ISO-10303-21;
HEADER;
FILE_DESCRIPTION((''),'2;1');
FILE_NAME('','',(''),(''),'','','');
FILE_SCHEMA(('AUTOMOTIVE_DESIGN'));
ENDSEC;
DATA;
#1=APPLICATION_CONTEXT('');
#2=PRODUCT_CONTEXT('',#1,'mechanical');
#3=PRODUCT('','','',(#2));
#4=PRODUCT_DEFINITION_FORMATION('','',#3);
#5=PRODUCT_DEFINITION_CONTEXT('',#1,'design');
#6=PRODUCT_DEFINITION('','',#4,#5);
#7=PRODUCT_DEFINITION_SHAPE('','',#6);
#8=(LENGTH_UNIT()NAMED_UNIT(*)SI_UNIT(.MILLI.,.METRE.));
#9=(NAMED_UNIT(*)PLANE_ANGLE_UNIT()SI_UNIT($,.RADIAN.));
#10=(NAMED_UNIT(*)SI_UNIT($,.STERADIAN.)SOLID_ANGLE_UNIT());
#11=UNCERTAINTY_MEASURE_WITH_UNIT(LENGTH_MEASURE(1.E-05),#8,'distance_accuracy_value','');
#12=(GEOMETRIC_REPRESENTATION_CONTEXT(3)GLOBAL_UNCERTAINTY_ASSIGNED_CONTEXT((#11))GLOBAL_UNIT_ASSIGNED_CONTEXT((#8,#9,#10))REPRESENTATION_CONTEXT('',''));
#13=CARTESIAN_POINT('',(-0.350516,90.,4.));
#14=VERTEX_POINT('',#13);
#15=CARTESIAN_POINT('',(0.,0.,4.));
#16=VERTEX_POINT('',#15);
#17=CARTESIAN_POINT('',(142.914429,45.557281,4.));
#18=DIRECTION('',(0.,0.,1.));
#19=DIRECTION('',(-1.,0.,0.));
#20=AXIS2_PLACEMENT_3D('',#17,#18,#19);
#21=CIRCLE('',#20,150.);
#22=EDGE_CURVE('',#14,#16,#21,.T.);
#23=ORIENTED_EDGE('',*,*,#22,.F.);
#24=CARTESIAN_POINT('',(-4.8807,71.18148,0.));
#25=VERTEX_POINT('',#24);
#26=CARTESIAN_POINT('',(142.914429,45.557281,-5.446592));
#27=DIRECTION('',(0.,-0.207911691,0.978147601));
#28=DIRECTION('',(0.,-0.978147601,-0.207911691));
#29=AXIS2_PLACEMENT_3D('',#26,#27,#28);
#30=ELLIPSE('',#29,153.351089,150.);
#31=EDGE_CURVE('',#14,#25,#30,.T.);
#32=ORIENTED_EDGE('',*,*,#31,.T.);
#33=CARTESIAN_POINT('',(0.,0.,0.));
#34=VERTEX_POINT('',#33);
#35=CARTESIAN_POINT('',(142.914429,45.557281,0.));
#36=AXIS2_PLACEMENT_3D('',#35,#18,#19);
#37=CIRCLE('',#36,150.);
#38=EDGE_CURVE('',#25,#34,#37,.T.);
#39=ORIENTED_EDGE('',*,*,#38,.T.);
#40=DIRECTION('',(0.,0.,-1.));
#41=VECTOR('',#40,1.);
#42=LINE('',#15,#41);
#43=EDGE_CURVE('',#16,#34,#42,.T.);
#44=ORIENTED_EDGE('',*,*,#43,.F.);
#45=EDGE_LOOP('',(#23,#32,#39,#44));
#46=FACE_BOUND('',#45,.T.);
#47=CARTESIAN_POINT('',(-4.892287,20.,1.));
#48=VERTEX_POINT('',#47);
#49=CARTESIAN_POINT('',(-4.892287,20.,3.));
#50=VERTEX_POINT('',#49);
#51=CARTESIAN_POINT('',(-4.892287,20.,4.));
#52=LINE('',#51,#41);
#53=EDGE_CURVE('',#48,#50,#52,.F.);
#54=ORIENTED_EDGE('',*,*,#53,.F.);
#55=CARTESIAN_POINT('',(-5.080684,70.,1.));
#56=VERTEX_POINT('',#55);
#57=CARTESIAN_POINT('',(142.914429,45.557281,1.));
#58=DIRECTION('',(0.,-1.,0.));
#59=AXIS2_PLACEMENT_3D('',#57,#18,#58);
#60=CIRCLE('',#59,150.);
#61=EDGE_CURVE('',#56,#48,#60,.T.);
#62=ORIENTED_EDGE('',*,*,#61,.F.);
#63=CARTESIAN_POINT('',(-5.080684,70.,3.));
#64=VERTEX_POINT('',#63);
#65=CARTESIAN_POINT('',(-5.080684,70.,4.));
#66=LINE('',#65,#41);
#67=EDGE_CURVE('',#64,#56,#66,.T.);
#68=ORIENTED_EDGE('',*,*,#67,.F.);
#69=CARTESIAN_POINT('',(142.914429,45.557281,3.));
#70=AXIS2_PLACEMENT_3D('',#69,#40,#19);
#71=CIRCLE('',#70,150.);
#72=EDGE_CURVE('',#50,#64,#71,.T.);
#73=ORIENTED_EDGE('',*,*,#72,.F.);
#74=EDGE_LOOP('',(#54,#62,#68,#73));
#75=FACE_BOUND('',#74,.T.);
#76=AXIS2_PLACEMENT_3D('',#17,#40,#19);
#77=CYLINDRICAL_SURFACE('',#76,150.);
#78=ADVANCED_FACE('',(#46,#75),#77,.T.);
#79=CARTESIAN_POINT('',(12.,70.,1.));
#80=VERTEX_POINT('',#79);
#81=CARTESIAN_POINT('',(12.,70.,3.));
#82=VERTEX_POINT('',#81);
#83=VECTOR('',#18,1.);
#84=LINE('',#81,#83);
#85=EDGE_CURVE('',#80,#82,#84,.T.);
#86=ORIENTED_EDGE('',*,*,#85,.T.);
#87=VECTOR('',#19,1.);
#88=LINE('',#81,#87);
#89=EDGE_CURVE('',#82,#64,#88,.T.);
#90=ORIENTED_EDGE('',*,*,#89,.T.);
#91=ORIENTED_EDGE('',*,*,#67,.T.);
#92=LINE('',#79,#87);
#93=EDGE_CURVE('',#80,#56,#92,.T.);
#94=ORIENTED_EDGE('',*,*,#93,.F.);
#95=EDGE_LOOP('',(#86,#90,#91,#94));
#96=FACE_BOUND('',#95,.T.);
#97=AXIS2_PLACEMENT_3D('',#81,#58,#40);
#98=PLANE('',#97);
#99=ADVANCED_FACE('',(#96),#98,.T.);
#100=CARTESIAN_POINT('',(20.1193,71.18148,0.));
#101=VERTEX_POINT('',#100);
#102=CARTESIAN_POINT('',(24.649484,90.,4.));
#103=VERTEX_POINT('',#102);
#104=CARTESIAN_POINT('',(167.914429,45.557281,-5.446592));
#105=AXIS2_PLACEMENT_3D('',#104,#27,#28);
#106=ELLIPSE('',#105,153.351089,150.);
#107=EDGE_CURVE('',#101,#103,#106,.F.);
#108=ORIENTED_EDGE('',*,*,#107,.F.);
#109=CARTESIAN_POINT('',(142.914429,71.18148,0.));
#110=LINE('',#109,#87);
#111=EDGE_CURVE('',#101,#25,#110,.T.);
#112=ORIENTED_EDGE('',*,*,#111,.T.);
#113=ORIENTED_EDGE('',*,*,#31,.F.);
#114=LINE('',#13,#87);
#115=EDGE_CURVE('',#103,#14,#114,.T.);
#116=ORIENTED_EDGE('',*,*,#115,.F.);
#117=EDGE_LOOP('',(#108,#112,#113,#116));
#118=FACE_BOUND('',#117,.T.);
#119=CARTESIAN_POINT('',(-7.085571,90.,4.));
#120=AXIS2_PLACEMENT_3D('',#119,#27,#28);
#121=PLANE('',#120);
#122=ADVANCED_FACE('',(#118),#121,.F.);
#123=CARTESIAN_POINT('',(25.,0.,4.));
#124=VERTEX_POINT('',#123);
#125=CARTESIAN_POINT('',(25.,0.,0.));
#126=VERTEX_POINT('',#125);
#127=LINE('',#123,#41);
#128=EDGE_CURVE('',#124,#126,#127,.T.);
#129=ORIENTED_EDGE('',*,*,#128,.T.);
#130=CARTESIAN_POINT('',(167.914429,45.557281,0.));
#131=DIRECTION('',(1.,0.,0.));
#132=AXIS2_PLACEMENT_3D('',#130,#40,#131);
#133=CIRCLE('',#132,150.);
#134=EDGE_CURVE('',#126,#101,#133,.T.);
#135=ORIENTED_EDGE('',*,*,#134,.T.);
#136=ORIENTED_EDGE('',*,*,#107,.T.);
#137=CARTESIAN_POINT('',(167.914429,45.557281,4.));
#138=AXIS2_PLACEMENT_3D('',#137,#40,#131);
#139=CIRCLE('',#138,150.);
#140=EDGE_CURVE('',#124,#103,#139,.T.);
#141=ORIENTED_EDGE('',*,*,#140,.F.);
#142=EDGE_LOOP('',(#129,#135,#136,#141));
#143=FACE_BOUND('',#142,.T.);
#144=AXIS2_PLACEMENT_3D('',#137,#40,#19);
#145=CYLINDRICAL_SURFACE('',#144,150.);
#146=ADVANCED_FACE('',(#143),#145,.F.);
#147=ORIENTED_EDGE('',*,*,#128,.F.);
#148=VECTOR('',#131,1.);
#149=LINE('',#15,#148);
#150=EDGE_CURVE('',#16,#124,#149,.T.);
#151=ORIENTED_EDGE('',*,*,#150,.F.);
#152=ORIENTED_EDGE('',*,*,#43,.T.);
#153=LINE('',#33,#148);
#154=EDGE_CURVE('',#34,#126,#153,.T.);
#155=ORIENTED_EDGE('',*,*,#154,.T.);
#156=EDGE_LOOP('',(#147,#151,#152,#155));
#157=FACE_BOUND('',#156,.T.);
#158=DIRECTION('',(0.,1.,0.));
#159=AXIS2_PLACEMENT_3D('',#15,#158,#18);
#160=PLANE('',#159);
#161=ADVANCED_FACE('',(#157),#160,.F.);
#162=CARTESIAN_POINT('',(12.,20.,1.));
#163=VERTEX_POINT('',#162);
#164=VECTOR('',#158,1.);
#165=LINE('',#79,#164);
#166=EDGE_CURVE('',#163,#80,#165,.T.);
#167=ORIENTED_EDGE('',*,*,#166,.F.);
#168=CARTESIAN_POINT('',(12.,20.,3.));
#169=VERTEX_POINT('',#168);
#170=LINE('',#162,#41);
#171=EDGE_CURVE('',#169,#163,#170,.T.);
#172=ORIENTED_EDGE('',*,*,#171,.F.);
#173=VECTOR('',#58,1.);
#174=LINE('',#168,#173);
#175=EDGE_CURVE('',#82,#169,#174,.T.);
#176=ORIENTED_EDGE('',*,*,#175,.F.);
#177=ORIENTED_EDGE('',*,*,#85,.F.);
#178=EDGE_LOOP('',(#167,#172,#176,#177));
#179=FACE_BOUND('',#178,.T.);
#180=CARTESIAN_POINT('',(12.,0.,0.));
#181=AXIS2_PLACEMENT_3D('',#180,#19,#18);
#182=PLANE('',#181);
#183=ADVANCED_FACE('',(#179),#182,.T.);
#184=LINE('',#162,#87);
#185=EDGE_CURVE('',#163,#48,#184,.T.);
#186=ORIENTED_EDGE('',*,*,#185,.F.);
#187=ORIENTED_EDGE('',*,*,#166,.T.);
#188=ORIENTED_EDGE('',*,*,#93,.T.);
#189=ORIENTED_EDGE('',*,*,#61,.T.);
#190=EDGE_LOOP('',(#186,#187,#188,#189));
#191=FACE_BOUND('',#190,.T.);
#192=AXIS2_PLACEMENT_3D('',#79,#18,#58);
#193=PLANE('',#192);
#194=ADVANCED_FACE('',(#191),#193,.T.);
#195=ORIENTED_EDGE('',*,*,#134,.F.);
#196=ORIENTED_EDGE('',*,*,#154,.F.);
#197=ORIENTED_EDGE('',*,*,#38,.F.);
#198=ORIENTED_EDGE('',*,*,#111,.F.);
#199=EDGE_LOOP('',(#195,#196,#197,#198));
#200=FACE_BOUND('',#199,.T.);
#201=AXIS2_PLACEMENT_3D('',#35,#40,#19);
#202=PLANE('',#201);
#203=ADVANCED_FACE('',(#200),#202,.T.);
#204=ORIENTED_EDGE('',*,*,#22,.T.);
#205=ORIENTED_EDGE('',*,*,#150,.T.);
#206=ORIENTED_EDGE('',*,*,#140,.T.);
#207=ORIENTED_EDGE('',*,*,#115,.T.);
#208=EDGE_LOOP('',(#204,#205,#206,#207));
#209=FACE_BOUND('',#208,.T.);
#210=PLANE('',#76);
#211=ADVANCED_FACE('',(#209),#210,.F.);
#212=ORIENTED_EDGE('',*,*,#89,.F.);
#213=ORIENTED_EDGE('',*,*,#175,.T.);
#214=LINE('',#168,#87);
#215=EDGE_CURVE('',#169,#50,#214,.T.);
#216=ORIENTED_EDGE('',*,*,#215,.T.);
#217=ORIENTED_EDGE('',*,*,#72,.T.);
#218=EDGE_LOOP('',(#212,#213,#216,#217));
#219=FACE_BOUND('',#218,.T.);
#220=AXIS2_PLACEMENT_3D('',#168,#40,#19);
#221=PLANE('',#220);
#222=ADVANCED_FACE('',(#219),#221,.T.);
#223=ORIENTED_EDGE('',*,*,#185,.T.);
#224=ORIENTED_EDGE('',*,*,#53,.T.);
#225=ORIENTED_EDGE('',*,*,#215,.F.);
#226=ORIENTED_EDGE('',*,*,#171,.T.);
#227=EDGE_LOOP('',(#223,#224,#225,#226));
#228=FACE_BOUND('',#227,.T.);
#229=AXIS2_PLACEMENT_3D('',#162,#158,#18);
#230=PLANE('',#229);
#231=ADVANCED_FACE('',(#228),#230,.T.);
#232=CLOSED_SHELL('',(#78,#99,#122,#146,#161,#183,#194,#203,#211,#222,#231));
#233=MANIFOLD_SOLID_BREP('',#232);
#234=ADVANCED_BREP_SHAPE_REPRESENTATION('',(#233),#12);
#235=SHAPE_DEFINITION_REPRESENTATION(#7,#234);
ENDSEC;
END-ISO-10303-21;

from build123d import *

# Parameters (mm, degrees)
EXTRUDE_1_DEPTH          = 4
CUT_EXTRUDE_1_DEPTH      = 26
CUT_EXTRUDE_1_DEPTH_BACK = 8.085570508
SKETCH_3_W               = 2
SKETCH_3_H               = 50
CUT_EXTRUDE_2_DEPTH      = 12
CUT_EXTRUDE_2_DEPTH_BACK = 8.085570508


with BuildPart() as part:
    # 草图1 → 凸台-拉伸1 (new body)
    with BuildSketch(Plane.XY):
        with BuildLine():
            Line((-0.350516392, 90), (24.649483608, 90))
            ThreePointArc((24.649483608, 90), (17.915567088, 44.973091345), (25, 0))
            Line((25, 0), (0, 0))
            ThreePointArc((0, 0), (-7.084432912, 44.973091345), (-0.350516392, 90))
        make_face()
    extrude(amount=EXTRUDE_1_DEPTH)

    # 草图2 → 切除-拉伸1 (cut, two sides)
    with BuildSketch(Plane(origin=(0, 0, 0), x_dir=(0, 0, -1), z_dir=(1, 0, 0))) as cut_extrude_1_sk:
        Polygon((-4, 90), (0, 71.181479562), (0, 90), align=None)
    extrude(amount=CUT_EXTRUDE_1_DEPTH, mode=Mode.SUBTRACT)
    extrude(cut_extrude_1_sk.sketch, amount=-CUT_EXTRUDE_1_DEPTH_BACK, mode=Mode.SUBTRACT)

    # 草图3 → 切除-拉伸2 (cut, two sides)
    with BuildSketch(Plane(origin=(0, 0, 0), x_dir=(0, 0, -1), z_dir=(1, 0, 0))) as cut_extrude_2_sk:
        with Locations((-2, 45)):
            Rectangle(SKETCH_3_W, SKETCH_3_H)
    extrude(amount=CUT_EXTRUDE_2_DEPTH, mode=Mode.SUBTRACT)
    extrude(cut_extrude_2_sk.sketch, amount=-CUT_EXTRUDE_2_DEPTH_BACK, mode=Mode.SUBTRACT)


solid = part.part
